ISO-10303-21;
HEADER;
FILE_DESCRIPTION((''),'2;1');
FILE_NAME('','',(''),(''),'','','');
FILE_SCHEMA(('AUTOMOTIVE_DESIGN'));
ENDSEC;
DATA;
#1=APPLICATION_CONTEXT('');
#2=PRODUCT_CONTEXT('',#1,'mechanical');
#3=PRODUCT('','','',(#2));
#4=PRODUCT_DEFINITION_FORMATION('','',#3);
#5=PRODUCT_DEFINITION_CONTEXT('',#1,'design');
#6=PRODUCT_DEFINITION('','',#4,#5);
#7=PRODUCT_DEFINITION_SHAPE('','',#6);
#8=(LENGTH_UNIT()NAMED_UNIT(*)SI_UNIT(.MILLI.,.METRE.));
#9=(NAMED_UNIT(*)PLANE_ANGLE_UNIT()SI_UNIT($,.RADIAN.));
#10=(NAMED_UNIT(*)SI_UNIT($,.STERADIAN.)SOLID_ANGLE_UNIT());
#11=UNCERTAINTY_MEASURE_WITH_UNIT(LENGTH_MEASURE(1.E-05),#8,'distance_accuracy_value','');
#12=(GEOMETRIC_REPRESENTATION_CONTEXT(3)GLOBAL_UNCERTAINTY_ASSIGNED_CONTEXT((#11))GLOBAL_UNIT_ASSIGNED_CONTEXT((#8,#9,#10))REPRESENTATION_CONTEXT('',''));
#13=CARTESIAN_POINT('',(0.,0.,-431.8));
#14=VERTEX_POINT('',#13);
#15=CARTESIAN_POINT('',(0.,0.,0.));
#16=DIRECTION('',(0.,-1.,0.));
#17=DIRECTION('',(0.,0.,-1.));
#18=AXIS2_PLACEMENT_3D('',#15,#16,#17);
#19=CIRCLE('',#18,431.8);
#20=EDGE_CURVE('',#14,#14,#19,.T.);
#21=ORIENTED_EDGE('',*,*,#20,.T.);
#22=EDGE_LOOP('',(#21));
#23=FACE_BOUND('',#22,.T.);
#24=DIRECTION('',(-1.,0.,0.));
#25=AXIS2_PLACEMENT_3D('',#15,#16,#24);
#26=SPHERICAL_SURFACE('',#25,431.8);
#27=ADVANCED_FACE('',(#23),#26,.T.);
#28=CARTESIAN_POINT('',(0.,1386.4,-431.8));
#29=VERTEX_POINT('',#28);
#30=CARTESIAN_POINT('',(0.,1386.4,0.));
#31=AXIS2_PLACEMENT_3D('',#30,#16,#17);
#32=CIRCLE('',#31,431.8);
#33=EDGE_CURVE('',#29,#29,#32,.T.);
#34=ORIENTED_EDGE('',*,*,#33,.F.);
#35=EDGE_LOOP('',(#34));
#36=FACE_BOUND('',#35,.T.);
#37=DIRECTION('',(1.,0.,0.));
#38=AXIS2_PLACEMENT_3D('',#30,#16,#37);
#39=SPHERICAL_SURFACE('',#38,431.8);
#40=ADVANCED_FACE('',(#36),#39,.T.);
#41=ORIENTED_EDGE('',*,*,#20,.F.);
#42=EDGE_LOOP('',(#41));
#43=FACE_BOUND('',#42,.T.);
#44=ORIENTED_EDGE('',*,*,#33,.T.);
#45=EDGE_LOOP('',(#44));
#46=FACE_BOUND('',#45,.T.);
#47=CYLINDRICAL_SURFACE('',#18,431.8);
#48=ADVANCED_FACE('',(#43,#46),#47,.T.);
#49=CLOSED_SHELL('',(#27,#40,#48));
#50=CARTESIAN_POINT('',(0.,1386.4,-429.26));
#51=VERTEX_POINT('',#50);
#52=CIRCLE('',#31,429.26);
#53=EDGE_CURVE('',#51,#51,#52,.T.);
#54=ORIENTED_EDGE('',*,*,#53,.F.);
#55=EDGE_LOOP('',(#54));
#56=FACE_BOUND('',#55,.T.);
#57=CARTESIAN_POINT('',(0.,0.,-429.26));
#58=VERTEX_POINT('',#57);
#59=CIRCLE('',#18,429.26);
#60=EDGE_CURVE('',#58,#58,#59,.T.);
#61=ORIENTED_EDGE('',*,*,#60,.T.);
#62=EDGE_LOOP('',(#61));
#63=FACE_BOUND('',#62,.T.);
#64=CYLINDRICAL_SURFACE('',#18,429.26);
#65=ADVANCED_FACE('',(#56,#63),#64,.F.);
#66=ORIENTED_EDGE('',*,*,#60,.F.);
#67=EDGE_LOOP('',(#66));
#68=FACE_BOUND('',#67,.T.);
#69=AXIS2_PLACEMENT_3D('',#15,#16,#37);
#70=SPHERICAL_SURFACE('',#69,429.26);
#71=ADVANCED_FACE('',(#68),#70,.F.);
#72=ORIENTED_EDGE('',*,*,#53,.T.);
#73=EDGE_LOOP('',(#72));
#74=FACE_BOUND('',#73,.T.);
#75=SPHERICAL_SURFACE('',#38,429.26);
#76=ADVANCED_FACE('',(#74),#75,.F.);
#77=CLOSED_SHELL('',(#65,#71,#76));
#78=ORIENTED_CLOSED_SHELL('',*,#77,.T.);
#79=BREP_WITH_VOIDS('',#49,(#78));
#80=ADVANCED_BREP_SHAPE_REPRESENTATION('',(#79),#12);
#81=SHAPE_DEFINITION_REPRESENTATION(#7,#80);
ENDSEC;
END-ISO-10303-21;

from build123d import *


with BuildPart() as part:
    # Sketch1 → Revolve1 (revolve)
    with BuildSketch(Plane.XY):
        with BuildLine():
            Line((0, 1815.66), (0, 1818.2))
            ThreePointArc((0, 1818.2), (305.328708116, 1691.728708116), (431.8, 1386.4))
            Line((431.8, 1386.4), (431.8, 0))
            ThreePointArc((431.8, 0), (305.328708116, -305.328708116), (0, -431.8))
            Line((0, -431.8), (0, -429.26))
            ThreePointArc((0, -429.26), (303.532656892, -303.532656892), (429.26, 0))
            Line((429.26, 0), (429.26, 1386.4))
            ThreePointArc((429.26, 1386.4), (303.532656892, 1689.932656892), (0, 1815.66))
        make_face()
    revolve(axis=Axis((0, 0, 0), (0, 1, 0)))


solid = part.part
